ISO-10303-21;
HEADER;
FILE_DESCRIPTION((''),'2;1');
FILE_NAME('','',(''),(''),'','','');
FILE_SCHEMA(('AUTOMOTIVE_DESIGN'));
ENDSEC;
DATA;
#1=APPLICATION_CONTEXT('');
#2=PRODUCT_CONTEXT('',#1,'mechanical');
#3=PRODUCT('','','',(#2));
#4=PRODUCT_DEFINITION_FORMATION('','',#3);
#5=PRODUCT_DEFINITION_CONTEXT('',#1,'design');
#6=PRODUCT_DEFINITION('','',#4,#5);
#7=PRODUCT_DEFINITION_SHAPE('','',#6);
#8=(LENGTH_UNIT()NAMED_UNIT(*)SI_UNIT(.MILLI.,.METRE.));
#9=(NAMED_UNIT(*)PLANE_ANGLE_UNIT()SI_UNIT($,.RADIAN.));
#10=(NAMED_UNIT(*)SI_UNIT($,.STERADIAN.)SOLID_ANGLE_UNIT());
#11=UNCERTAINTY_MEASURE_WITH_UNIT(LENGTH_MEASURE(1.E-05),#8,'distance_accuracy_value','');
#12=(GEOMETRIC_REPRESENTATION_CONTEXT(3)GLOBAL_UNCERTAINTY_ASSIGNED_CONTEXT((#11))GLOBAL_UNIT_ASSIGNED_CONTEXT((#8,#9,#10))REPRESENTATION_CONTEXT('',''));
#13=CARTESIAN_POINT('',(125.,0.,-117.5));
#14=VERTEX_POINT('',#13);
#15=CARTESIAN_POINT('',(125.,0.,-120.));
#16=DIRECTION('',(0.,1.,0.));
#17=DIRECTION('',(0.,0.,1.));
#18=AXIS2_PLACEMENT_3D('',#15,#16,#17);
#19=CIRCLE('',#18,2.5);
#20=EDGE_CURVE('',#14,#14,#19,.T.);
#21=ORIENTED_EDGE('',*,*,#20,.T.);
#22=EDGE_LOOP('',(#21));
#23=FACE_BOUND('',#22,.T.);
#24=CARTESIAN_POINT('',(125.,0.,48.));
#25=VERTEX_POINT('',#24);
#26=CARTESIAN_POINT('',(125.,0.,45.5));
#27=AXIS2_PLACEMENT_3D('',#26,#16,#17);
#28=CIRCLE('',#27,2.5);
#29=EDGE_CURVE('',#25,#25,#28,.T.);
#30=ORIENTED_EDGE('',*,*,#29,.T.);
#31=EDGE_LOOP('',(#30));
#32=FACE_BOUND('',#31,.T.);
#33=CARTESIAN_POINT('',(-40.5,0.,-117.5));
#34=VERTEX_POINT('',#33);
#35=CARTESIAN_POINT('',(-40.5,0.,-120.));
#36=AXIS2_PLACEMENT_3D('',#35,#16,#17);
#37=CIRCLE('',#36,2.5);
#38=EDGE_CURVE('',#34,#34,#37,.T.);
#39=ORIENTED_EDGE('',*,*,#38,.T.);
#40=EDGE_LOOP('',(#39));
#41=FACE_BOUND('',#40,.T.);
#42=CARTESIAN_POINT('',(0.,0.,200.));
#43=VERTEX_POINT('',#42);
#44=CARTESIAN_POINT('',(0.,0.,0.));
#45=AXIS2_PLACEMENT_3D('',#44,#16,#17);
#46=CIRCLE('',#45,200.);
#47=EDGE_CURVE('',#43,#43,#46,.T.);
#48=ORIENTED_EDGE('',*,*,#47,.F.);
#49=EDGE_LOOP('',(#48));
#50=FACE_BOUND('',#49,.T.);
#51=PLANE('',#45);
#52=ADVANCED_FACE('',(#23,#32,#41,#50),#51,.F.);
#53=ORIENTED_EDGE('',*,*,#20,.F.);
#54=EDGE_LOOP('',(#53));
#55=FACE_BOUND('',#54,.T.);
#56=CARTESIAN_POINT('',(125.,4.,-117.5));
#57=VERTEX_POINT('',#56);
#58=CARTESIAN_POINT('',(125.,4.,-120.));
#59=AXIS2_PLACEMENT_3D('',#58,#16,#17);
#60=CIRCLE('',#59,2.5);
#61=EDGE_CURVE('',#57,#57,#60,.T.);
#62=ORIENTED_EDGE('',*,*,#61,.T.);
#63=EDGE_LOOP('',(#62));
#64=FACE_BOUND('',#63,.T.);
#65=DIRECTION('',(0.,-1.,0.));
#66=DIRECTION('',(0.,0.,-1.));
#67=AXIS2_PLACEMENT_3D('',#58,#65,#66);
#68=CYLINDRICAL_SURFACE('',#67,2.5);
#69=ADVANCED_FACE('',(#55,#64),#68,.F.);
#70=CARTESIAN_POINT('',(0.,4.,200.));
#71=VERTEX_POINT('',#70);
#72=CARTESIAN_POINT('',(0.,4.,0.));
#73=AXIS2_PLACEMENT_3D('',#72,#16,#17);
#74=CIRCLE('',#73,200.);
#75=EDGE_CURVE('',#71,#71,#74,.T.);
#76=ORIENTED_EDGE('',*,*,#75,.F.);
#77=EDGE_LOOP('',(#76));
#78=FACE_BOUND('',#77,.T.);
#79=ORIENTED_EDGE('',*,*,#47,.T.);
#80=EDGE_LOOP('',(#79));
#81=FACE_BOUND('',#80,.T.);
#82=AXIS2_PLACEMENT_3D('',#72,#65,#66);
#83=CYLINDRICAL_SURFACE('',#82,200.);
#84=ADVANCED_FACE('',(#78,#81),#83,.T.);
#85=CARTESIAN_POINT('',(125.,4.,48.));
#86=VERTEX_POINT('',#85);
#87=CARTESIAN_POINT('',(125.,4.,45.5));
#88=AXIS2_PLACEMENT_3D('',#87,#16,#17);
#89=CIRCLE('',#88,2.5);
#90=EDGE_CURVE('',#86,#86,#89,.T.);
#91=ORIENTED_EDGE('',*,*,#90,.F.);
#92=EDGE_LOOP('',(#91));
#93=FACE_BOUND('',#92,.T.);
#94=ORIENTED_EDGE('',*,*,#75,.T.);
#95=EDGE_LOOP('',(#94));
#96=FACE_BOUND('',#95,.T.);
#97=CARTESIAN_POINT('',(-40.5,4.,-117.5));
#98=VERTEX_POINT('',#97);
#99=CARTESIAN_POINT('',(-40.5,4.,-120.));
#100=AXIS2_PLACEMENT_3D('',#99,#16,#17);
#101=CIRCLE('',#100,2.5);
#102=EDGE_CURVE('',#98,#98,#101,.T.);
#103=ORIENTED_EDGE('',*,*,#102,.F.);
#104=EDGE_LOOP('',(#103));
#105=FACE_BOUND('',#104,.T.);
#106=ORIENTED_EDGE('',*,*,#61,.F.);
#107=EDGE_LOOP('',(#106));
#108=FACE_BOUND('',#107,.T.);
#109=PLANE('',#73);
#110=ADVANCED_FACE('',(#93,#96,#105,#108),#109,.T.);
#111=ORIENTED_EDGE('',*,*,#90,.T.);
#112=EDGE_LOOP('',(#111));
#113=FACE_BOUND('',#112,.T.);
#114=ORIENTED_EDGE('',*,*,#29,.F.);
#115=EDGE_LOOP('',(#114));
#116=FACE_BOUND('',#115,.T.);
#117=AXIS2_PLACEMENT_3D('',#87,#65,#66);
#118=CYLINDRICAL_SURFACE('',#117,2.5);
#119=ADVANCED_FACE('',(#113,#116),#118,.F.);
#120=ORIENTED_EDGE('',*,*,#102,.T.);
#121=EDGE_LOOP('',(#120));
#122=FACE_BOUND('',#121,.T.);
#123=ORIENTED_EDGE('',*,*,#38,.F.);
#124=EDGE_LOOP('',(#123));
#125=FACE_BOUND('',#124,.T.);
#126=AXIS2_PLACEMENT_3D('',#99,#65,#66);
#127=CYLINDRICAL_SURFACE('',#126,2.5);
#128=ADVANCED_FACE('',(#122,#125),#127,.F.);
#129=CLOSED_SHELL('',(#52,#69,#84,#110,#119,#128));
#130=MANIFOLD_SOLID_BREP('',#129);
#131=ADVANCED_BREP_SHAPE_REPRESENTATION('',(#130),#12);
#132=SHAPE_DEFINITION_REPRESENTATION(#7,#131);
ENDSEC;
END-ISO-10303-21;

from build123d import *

# Parameters (mm, degrees)
SKETCH1_R           = 200
SKETCH1_R_2         = 2.5
BOSS_EXTRUDE1_DEPTH = 4


with BuildPart() as part:
    # Sketch1 → Boss-Extrude1 (new body)
    with BuildSketch(Plane(origin=(0, 0, 0), x_dir=(1, 0, 0), z_dir=(0, 1, 0))):
        with Locations(Location((0, 0, 0), (0, 0, 270))):
            Circle(SKETCH1_R)
        with Locations(Location((125, 120, 0), (0, 0, 270))):
            Circle(SKETCH1_R_2, mode=Mode.SUBTRACT)
        with Locations(Location((-40.5, 120, 0), (0, 0, 270))):
            Circle(SKETCH1_R_2, mode=Mode.SUBTRACT)
        with Locations(Location((125, -45.5, 0), (0, 0, 270))):
            Circle(SKETCH1_R_2, mode=Mode.SUBTRACT)
    extrude(amount=BOSS_EXTRUDE1_DEPTH)


solid = part.part
